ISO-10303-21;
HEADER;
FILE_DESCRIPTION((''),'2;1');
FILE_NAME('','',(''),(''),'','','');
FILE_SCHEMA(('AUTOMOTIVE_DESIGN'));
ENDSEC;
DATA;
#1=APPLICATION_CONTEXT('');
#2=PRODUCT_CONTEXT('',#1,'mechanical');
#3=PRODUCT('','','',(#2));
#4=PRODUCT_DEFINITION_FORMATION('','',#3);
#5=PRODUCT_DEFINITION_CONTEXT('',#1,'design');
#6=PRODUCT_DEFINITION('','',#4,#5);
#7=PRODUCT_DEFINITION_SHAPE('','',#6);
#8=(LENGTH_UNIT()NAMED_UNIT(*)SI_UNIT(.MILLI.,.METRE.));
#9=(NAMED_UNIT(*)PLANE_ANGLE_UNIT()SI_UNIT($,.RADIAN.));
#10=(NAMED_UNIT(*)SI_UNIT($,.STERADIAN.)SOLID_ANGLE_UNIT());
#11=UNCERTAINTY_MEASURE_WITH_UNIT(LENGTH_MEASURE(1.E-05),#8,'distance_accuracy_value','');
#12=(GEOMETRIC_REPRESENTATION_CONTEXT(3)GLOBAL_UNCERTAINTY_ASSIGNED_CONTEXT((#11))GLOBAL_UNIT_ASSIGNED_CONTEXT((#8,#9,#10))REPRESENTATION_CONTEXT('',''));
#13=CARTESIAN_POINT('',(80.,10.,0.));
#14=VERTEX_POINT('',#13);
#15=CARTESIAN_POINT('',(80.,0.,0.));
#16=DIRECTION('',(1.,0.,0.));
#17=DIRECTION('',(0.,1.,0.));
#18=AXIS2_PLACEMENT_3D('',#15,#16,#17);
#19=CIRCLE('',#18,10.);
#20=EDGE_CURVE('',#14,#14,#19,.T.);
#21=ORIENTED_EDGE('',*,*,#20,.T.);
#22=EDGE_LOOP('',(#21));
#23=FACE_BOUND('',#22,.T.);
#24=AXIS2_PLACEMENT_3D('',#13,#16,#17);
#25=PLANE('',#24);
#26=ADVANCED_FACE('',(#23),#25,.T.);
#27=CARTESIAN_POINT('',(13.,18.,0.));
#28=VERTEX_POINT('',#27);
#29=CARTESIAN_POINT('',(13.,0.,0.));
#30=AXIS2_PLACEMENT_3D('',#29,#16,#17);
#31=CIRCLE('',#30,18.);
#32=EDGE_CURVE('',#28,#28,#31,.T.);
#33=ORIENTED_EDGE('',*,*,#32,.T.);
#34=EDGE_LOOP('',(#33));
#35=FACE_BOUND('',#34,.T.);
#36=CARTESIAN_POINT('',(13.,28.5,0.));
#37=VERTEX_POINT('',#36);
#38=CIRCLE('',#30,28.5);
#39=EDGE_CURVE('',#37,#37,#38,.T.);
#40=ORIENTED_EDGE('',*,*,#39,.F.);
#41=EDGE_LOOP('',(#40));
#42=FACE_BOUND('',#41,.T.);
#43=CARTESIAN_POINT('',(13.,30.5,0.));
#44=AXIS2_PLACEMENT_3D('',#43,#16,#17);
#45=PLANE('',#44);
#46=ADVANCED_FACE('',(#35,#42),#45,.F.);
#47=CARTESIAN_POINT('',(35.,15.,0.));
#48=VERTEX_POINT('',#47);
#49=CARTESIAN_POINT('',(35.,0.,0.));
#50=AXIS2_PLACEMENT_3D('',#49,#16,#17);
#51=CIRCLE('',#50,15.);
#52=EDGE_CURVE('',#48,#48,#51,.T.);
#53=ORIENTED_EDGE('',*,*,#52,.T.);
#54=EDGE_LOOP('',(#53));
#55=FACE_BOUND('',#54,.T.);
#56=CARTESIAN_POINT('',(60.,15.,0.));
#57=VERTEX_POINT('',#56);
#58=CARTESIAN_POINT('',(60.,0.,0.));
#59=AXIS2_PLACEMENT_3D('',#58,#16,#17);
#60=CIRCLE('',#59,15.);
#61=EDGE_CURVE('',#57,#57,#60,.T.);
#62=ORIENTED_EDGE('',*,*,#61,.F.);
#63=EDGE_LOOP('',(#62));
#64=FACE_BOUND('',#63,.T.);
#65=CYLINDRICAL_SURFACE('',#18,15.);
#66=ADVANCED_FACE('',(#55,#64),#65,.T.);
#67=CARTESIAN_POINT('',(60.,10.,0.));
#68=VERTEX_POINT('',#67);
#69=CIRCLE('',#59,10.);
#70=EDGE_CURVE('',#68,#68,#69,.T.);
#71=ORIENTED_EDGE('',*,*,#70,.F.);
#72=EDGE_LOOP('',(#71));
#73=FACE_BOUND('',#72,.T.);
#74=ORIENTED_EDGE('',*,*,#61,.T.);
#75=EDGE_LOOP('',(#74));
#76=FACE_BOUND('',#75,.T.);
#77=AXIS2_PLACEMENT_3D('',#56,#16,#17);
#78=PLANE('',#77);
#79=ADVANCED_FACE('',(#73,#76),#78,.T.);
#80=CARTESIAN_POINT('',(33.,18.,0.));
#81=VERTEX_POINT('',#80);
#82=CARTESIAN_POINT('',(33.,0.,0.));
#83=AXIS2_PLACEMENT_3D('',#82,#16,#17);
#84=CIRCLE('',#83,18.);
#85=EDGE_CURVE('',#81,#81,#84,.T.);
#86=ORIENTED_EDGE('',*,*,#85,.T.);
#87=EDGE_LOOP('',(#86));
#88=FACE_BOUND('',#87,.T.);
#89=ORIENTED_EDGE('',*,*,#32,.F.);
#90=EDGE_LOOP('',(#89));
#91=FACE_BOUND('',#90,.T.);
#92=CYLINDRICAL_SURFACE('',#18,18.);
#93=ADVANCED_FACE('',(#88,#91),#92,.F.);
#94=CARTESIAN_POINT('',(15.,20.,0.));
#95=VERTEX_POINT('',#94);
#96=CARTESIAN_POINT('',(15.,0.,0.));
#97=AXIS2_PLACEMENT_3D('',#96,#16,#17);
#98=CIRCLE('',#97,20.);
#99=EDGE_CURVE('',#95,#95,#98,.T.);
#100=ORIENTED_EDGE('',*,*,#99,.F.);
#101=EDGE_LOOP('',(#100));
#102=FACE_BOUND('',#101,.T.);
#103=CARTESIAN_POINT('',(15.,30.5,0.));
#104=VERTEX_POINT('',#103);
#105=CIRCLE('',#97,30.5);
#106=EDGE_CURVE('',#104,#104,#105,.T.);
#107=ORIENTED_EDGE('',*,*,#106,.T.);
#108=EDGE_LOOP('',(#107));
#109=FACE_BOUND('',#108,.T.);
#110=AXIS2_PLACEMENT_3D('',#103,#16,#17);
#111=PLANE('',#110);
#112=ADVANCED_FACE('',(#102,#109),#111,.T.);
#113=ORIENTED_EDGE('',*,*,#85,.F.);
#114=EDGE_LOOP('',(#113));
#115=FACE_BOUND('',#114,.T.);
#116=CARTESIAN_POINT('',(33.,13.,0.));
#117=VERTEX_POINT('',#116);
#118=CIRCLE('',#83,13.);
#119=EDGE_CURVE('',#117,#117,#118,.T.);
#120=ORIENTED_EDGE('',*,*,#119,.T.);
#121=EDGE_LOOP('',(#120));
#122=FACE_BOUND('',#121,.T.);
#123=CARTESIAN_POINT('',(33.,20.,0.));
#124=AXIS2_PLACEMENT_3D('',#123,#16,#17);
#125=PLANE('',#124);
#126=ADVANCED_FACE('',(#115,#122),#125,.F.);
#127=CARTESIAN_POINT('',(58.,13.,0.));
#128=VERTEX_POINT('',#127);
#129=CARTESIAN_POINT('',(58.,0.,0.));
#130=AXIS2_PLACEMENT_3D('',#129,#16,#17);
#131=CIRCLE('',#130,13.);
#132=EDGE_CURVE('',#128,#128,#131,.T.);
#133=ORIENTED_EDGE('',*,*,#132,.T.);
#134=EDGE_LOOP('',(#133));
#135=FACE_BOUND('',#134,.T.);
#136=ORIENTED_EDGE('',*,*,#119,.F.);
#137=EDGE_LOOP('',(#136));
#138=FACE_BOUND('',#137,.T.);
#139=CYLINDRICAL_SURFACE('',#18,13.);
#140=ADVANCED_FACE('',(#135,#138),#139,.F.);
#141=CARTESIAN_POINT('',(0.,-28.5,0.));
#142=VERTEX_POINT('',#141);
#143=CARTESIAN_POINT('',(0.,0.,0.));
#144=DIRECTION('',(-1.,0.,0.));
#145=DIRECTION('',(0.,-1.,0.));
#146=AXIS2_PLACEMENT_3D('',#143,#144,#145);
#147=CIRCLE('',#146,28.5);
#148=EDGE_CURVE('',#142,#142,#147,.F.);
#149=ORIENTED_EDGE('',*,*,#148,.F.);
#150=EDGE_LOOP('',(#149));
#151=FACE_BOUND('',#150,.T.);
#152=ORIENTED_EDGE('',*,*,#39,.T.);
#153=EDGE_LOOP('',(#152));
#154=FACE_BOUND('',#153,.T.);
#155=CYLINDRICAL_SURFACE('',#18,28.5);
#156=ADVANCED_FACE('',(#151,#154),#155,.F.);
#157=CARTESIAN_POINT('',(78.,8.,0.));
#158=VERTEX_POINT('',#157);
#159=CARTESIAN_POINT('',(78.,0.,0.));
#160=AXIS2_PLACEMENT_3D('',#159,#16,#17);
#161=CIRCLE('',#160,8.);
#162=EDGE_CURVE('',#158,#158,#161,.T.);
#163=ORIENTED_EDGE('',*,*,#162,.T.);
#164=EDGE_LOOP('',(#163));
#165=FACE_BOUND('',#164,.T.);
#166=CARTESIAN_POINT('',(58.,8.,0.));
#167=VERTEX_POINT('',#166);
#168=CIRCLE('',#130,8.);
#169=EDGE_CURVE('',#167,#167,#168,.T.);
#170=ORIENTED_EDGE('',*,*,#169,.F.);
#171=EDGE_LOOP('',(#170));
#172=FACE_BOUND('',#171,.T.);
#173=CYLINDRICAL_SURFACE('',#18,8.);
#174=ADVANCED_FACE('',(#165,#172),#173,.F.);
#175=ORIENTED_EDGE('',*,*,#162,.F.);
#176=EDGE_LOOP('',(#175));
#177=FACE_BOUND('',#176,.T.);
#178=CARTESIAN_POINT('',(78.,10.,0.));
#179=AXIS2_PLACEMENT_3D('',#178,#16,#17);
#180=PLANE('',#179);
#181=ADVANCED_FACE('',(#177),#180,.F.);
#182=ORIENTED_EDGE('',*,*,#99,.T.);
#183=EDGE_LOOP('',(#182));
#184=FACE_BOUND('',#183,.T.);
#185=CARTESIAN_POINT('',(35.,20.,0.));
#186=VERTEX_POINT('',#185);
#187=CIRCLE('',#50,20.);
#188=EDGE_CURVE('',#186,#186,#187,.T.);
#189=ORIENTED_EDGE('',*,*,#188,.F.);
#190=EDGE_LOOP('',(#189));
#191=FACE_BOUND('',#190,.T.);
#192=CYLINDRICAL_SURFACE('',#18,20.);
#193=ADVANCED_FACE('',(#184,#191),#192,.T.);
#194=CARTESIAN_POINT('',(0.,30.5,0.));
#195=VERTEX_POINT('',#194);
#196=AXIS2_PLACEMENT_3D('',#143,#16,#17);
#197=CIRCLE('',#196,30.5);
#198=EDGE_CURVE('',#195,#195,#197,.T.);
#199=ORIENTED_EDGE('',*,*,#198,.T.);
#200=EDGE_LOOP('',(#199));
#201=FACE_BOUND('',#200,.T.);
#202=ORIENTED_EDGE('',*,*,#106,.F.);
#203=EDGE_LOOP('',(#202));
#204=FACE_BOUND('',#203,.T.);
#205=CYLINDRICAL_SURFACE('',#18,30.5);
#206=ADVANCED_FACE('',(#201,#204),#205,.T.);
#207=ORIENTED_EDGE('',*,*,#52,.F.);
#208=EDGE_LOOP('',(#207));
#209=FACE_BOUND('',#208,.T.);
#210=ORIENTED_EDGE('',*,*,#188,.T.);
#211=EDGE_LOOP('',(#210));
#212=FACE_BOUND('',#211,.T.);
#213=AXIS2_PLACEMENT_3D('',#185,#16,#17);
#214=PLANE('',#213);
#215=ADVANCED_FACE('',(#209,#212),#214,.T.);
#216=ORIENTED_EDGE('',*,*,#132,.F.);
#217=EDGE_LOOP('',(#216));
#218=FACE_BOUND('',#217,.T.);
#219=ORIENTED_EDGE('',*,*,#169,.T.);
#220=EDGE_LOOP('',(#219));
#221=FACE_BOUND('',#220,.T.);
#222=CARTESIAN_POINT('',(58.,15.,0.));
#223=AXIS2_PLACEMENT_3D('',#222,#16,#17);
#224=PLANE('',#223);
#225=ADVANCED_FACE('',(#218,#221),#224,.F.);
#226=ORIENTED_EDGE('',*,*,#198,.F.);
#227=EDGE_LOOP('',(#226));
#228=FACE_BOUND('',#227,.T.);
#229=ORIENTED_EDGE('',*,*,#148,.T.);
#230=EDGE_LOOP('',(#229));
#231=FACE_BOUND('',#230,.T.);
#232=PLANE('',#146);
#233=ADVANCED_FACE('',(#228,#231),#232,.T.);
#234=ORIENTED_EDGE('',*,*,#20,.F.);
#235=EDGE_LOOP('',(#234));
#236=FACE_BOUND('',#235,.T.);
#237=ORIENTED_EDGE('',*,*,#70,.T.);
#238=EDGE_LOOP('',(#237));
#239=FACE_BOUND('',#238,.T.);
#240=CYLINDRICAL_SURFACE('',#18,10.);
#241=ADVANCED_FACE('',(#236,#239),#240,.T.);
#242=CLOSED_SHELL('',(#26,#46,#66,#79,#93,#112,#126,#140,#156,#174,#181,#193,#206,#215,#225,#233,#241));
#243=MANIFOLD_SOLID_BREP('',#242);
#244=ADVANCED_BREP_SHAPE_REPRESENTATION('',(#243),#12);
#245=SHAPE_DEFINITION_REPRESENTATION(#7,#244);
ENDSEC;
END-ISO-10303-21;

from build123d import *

# Parameters (mm, degrees)
SVUOTA1_T = -2


with BuildPart() as part:
    # Schizzo1 → Rivoluzione1 (revolve)
    with BuildSketch(Plane.XY):
        Polygon((0, 0), (0, 30.5), (15, 30.5), (15, 20), (35, 20), (35, 15), (60, 15), (60, 10), (80, 10), (80, 0), align=None)
    revolve(axis=Axis((80, 0, 0), (-1, 0, 0)))

    # Svuota1
    svuota1_openings = [part.faces().sort_by_distance(p)[0] for p in [
        (0, 0, 0),
    ]]
    offset(amount=SVUOTA1_T, openings=svuota1_openings, kind=Kind.INTERSECTION)


solid = part.part
